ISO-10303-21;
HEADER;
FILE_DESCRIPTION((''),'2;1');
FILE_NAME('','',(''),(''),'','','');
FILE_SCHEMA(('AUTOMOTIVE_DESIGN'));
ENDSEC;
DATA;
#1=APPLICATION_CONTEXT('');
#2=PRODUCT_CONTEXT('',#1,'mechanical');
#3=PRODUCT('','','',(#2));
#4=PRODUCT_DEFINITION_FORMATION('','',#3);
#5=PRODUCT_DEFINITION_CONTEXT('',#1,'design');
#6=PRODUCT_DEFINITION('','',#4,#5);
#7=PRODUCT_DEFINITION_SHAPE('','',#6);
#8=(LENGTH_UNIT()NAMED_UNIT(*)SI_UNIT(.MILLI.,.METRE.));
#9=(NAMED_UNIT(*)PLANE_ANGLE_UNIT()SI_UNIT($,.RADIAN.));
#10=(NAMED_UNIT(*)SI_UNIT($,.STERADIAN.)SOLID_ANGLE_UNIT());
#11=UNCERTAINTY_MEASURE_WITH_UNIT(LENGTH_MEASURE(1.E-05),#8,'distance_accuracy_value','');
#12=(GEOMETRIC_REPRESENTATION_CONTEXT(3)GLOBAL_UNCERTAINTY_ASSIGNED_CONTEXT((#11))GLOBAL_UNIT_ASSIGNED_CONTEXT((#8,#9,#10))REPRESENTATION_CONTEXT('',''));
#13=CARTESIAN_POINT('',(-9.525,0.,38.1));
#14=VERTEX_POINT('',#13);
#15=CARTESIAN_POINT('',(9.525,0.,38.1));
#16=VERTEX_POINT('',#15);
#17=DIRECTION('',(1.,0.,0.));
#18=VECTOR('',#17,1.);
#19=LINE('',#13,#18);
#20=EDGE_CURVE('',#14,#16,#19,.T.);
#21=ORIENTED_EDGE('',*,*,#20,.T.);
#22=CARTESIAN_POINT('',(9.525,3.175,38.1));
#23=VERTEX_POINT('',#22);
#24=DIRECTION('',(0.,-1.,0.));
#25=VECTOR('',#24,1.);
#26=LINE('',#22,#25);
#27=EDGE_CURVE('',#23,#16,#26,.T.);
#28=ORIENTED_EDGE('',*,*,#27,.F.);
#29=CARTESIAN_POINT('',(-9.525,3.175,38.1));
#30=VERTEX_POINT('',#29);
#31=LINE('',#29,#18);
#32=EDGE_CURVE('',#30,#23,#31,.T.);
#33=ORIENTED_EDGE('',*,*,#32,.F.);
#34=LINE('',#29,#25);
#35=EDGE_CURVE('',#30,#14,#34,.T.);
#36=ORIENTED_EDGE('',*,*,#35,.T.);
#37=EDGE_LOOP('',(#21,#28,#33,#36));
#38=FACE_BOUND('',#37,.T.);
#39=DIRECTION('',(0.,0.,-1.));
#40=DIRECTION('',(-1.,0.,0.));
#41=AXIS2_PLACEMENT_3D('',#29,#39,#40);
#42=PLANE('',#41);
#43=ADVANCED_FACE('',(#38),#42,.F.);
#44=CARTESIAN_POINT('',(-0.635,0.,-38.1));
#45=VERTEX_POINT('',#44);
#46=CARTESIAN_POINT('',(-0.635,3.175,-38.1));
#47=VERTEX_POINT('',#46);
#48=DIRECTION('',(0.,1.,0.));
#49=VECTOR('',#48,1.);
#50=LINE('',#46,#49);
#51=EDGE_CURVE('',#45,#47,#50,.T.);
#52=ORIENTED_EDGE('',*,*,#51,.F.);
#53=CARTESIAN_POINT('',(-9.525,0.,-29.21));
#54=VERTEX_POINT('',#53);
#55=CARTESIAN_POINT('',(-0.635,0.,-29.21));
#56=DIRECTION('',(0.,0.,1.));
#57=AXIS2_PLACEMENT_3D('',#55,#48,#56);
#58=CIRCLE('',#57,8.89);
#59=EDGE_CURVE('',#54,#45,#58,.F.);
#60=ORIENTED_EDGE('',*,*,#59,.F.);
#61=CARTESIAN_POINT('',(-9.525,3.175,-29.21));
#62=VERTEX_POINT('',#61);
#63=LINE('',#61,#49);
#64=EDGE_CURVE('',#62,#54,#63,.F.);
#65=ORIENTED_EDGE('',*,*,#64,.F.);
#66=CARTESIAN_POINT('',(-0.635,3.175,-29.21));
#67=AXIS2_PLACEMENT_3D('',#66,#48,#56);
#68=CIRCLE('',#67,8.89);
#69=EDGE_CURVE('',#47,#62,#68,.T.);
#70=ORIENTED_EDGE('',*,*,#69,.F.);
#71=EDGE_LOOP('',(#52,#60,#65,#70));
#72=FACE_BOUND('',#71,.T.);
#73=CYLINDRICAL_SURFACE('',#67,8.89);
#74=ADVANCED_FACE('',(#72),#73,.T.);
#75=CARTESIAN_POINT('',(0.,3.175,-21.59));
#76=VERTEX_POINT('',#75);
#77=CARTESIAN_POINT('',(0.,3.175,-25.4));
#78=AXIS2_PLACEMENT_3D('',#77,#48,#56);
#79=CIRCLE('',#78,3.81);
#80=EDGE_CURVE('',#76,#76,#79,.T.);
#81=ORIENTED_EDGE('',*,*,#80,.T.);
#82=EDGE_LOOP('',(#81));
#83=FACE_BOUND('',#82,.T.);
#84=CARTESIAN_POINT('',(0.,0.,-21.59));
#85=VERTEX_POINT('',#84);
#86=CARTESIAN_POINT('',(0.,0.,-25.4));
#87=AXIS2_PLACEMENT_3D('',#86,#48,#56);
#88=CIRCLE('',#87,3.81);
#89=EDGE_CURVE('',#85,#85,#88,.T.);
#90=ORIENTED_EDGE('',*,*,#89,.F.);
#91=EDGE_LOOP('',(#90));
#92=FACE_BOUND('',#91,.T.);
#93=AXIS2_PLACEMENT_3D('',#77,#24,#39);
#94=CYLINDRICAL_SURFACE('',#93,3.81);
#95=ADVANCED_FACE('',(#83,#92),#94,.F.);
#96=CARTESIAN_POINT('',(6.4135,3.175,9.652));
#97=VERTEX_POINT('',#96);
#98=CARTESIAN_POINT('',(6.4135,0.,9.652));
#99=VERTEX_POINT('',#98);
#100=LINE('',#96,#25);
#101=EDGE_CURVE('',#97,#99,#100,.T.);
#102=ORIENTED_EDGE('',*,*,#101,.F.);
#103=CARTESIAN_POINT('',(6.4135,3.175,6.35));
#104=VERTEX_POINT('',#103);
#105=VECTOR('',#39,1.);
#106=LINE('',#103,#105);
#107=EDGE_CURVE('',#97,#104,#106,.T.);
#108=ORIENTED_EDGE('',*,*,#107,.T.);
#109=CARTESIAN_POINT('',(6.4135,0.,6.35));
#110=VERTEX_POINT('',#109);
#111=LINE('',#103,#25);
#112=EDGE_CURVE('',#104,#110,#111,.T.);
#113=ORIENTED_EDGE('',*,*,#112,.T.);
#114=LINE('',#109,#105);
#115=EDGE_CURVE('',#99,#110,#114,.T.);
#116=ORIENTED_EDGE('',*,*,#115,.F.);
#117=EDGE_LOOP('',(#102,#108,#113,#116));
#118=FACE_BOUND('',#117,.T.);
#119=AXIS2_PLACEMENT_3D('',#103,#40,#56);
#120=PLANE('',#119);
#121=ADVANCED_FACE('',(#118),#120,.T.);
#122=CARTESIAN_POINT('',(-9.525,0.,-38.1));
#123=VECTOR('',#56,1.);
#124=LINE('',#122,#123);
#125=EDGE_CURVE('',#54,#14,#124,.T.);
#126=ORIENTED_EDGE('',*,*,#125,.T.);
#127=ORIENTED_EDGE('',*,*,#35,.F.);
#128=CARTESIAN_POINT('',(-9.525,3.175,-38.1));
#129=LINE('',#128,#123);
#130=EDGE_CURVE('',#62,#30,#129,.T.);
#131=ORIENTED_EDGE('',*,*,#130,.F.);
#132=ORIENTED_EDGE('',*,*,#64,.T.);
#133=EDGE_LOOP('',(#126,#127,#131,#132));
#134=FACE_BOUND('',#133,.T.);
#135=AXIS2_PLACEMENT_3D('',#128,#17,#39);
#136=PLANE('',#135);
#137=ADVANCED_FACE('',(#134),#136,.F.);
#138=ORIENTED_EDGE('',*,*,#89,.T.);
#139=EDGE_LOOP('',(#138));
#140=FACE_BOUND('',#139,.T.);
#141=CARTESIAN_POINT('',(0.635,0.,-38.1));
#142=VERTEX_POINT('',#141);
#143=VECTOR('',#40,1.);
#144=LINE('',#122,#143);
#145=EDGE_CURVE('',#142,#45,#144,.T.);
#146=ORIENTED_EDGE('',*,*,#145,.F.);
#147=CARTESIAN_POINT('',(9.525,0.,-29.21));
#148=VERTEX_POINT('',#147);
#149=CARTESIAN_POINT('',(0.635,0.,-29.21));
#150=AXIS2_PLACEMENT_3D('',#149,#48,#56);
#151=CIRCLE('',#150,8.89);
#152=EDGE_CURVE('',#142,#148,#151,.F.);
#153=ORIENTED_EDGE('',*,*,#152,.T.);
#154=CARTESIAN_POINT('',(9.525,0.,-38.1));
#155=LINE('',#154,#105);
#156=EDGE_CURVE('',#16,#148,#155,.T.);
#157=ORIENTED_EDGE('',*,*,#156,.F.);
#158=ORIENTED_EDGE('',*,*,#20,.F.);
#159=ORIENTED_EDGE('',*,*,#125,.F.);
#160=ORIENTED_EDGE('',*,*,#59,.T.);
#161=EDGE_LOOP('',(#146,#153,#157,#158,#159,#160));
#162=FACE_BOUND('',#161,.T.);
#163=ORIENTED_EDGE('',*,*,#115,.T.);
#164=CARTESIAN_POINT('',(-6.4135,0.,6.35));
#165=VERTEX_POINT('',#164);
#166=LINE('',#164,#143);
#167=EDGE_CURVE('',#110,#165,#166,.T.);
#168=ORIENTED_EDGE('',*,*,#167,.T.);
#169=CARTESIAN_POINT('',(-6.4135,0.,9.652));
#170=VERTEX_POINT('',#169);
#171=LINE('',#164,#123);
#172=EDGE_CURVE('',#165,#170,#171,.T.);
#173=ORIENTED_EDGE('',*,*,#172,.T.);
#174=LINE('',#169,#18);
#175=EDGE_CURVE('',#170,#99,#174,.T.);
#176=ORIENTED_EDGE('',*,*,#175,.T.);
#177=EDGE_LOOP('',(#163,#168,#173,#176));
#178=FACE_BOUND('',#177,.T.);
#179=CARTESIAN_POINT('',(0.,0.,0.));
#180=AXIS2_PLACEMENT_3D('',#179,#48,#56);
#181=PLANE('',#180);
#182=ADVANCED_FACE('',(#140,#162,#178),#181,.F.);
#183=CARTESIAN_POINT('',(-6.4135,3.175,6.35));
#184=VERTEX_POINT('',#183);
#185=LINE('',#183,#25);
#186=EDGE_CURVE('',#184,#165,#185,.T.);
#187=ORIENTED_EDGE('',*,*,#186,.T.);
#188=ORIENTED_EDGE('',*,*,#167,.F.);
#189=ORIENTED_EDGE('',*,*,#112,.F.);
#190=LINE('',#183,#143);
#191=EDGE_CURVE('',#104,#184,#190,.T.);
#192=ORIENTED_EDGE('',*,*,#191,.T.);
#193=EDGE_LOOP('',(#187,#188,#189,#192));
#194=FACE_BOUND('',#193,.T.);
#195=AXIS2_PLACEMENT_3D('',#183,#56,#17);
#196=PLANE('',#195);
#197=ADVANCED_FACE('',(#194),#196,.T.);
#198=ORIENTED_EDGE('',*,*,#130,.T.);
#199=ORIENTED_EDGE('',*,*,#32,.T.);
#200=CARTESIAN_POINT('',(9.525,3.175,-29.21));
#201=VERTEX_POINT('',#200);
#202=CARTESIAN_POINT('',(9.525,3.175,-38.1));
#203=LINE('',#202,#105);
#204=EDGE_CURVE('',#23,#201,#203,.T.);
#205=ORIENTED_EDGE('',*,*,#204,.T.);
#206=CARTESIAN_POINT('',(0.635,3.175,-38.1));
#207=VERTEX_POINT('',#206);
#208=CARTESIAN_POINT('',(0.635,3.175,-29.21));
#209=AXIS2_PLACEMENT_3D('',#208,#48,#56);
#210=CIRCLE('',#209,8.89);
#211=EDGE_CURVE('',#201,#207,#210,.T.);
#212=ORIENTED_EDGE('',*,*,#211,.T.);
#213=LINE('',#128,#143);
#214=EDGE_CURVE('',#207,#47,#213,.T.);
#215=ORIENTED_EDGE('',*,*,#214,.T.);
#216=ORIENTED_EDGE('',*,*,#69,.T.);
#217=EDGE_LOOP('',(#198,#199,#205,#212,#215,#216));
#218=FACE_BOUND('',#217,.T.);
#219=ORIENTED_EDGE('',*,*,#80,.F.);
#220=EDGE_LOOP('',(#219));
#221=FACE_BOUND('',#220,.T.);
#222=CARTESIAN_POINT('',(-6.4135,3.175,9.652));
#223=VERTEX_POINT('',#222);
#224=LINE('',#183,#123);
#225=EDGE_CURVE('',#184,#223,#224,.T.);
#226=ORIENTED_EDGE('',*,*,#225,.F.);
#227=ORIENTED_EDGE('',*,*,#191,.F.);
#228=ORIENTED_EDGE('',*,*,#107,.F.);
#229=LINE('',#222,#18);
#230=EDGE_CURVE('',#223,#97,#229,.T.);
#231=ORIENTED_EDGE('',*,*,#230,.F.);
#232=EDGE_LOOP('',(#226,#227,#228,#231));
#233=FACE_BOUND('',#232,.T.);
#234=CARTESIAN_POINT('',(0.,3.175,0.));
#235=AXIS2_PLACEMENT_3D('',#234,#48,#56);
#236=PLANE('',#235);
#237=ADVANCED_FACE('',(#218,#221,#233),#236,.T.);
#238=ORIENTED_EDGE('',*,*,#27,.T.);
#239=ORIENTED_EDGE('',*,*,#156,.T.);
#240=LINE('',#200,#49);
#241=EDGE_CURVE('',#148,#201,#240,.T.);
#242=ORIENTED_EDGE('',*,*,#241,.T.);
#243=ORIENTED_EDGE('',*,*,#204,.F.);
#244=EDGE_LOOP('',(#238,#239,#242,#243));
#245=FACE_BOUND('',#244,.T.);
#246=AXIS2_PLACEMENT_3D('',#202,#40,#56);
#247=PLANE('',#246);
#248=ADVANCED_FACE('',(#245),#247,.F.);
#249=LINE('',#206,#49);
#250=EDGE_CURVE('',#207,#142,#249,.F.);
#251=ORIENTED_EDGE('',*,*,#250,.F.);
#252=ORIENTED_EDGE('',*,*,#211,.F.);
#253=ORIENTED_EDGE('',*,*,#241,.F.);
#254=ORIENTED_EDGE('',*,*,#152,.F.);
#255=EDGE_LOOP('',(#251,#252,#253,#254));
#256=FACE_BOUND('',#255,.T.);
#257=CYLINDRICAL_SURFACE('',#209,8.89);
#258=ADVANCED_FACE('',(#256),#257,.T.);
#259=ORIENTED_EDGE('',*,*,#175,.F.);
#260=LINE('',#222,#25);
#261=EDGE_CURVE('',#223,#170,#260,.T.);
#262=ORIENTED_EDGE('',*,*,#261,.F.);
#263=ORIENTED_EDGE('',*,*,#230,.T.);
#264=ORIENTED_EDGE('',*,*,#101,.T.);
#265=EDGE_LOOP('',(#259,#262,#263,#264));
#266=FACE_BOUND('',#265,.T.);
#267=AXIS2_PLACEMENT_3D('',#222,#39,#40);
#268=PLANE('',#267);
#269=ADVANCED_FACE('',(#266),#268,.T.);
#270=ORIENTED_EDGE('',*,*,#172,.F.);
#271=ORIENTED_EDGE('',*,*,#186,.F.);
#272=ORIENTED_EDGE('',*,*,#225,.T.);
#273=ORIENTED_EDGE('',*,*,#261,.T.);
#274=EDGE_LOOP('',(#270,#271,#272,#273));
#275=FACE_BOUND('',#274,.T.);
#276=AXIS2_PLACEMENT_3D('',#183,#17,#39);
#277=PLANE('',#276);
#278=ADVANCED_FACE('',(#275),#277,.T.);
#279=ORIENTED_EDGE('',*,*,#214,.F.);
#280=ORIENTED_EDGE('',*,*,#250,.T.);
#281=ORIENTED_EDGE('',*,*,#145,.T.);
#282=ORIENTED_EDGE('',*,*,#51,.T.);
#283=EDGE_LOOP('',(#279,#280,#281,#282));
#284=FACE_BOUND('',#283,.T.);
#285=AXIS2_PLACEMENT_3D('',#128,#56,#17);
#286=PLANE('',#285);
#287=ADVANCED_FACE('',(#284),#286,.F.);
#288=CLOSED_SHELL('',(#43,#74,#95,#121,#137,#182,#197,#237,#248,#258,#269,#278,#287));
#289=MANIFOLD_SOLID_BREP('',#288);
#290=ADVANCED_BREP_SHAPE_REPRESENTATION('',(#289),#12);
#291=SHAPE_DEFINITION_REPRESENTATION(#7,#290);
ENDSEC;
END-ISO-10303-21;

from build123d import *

# Parameters (mm, degrees)
SKETCH1_W           = 19.05
SKETCH1_H           = 76.2
SKETCH1_R           = 3.81
SKETCH1_W_2         = 12.827
SKETCH1_H_2         = 3.302
BOSS_EXTRUDE1_DEPTH = 3.175
FILLET1_R           = 8.89
FILLET2_R           = 8.89


with BuildPart() as part:
    # Sketch1 → Boss-Extrude1 (new body)
    with BuildSketch(Plane(origin=(0, 0, 0), x_dir=(1, 0, 0), z_dir=(0, 1, 0))):
        Rectangle(SKETCH1_W, SKETCH1_H)
        with Locations((0, 25.4)):
            Circle(SKETCH1_R, mode=Mode.SUBTRACT)
        with Locations((0, -8.001)):
            Rectangle(SKETCH1_W_2, SKETCH1_H_2, mode=Mode.SUBTRACT)
    extrude(amount=BOSS_EXTRUDE1_DEPTH)

    # Fillet1
    fillet1_edges = [part.edges().sort_by_distance(p)[0] for p in [
        (9.525, 1.5875, -38.1),
    ]]
    fillet(fillet1_edges, radius=FILLET1_R)

    # Fillet2
    fillet2_edges = [part.edges().sort_by_distance(p)[0] for p in [
        (-9.525, 1.5875, -38.1),
    ]]
    fillet(fillet2_edges, radius=FILLET2_R)


solid = part.part
